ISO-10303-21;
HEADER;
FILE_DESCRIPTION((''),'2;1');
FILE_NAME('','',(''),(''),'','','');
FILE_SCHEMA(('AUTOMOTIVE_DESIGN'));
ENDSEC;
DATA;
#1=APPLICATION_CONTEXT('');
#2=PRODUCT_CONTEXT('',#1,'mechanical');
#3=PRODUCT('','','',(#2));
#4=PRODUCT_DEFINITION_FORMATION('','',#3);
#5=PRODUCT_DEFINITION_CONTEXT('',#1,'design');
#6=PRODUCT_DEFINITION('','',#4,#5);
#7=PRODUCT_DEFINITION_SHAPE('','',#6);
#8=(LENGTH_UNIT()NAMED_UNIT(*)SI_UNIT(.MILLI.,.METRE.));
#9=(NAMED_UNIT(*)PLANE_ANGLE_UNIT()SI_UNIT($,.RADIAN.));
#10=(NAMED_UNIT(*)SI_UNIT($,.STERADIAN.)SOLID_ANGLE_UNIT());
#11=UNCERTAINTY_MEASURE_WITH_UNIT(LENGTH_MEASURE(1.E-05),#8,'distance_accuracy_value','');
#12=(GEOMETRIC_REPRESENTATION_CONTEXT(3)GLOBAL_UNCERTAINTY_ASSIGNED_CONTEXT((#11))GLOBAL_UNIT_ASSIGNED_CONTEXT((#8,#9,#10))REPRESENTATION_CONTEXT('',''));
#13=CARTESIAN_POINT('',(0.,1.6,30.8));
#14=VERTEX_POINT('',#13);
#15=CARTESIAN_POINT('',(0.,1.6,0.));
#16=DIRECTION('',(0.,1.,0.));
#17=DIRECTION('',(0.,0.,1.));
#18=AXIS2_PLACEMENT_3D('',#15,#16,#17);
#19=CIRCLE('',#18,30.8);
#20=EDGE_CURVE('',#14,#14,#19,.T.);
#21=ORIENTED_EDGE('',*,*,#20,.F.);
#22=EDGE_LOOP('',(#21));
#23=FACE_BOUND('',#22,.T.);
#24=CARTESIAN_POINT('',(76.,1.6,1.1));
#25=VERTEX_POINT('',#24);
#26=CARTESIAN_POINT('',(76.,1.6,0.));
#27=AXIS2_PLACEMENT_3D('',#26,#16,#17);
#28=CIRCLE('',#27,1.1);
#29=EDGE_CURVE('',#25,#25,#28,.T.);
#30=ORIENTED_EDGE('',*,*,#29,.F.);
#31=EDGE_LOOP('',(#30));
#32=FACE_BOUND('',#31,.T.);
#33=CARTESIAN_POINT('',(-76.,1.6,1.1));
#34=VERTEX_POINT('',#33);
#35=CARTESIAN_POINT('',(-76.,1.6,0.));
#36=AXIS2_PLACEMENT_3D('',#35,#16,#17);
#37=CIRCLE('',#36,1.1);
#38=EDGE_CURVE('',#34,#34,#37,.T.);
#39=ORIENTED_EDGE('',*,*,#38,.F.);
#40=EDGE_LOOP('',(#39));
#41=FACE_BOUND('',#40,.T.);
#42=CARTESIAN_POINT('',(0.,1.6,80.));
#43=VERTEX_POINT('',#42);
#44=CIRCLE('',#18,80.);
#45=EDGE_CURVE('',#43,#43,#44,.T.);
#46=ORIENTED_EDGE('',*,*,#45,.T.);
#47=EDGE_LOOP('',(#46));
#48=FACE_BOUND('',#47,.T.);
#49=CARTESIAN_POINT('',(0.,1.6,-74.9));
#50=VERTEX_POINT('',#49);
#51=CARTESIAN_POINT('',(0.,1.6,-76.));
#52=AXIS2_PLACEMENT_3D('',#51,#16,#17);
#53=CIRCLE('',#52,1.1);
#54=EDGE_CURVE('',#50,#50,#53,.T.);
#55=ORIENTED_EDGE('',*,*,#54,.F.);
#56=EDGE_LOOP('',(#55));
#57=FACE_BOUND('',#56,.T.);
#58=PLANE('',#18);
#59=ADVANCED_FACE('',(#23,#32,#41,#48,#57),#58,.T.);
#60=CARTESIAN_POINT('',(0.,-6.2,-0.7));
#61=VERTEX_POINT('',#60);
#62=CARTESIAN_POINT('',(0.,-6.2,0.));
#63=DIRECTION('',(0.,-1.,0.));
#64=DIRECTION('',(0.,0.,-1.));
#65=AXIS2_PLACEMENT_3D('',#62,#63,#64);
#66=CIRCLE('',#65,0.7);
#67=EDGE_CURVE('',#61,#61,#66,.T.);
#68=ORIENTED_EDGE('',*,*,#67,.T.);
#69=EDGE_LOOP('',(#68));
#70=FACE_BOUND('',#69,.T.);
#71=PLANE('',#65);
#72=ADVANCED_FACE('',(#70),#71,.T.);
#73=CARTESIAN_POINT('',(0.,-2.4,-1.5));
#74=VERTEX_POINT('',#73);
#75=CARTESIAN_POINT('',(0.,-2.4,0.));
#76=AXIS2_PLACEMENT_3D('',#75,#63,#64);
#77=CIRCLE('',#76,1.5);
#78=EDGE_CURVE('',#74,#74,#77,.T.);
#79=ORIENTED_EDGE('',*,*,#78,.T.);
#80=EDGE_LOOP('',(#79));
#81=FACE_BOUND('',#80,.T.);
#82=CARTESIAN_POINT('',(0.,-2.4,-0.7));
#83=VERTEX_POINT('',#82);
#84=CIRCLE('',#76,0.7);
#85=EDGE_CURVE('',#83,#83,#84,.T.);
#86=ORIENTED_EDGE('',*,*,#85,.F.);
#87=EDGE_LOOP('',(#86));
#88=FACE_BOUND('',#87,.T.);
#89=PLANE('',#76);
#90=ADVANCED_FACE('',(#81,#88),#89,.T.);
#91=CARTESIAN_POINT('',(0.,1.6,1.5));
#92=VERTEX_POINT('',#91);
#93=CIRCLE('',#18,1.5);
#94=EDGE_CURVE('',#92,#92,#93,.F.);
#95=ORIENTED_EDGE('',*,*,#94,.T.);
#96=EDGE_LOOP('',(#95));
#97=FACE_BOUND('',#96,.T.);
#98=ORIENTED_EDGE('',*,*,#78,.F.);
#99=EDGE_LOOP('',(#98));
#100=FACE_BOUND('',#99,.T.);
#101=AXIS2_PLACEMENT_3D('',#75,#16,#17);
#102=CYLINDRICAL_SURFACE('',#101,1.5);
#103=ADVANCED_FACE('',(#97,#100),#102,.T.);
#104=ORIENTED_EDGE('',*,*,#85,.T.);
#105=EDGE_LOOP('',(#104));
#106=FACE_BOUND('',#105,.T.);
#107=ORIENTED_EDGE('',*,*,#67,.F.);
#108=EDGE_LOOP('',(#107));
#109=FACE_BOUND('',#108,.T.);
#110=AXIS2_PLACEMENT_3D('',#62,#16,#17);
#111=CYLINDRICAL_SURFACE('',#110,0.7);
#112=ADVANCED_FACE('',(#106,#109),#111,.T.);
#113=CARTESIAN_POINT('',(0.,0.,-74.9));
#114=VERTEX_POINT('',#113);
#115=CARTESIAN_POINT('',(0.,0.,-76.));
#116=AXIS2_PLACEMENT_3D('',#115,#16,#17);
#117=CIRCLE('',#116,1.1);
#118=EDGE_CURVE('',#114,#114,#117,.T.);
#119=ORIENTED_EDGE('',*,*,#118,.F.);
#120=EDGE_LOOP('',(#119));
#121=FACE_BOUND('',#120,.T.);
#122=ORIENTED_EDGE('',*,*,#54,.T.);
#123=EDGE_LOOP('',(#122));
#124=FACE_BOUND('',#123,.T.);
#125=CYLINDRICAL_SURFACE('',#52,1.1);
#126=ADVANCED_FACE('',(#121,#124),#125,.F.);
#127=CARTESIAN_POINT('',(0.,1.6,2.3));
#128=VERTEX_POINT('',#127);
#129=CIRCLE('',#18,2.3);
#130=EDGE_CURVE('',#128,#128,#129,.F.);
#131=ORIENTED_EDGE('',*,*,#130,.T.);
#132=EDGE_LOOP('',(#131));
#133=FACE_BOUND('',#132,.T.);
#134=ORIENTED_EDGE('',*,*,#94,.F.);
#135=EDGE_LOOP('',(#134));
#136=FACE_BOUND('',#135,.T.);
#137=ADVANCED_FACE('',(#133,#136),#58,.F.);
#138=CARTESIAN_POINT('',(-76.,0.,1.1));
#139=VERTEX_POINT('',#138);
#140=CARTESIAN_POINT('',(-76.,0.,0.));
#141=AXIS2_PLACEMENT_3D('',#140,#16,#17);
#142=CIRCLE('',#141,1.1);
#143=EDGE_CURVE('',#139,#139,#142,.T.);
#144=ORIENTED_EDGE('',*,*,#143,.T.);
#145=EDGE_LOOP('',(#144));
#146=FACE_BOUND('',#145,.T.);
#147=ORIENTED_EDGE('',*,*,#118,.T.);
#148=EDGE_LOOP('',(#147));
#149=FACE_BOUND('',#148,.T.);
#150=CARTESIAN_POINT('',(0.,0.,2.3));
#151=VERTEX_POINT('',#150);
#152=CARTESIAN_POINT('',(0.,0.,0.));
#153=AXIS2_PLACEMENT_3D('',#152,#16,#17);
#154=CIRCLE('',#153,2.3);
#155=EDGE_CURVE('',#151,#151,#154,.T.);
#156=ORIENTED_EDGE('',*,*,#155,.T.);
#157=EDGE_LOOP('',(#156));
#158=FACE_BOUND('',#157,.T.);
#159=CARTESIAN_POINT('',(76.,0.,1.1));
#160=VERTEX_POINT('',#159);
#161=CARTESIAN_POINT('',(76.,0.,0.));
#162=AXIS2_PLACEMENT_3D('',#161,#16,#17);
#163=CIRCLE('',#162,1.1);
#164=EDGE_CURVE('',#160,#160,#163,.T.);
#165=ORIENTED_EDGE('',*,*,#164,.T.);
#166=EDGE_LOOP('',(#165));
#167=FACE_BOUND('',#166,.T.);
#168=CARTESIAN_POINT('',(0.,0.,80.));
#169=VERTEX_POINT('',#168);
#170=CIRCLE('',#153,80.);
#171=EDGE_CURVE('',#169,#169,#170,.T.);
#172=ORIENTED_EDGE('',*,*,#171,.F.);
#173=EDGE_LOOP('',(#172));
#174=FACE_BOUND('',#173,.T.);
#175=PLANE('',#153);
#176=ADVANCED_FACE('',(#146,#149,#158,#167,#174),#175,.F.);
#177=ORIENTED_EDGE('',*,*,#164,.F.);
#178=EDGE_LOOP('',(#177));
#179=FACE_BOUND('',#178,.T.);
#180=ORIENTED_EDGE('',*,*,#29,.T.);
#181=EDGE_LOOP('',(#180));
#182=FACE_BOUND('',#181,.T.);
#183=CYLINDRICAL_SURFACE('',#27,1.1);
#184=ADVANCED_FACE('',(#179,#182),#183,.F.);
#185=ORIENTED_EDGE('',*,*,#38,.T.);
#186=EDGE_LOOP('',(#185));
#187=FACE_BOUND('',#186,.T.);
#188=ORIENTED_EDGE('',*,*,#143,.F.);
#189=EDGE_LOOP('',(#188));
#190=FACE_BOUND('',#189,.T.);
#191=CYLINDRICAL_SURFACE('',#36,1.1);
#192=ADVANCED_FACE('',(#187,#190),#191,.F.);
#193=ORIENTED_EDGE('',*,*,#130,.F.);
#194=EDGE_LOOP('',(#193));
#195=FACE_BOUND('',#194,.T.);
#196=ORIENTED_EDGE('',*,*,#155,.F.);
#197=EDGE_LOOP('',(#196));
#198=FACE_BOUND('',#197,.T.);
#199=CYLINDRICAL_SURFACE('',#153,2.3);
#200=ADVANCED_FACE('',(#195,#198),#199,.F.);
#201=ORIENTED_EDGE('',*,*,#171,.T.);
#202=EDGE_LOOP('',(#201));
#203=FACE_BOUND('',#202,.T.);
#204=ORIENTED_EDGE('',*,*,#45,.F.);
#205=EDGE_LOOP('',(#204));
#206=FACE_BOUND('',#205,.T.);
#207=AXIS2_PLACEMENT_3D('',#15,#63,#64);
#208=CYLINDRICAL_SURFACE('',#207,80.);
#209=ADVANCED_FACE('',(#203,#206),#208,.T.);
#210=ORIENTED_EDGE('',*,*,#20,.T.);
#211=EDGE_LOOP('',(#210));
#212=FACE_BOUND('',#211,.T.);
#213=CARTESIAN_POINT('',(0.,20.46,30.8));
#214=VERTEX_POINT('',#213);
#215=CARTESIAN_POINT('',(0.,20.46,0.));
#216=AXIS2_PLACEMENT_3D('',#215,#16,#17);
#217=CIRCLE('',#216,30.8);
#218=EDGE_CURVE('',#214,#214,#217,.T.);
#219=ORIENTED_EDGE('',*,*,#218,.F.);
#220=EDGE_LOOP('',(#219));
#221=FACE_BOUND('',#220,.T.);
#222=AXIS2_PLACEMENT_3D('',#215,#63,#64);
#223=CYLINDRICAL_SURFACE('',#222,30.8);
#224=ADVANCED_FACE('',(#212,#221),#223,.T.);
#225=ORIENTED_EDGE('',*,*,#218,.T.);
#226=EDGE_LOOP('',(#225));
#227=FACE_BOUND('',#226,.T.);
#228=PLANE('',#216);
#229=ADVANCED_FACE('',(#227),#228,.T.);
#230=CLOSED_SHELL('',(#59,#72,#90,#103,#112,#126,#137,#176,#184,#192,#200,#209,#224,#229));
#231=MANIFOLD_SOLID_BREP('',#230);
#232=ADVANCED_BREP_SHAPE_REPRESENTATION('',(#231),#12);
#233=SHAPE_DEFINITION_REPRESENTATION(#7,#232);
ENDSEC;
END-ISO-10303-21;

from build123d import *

# Parameters (mm, degrees)
SKETCH1_R                = 80
BOSS_EXTRUDE1_DEPTH      = 1.6
SKETCH2_R                = 2.3
CUT_EXTRUDE1_DEPTH       = 1.6
M2_CLEARANCE_HOLE2_D     = 2.2
M2_CLEARANCE_HOLE2_DEPTH = 6
M2_CLEARANCE_HOLE2_TIP   = 0.660946681
SKETCH9_R                = 30.8
BOSS_EXTRUDE2_DEPTH      = 18.86
SKETCH10_R               = 1.5
BOSS_EXTRUDE3_DEPTH      = 4
SKETCH11_R               = 0.7
BOSS_EXTRUDE4_DEPTH      = 3.8


with BuildPart() as part:
    # Sketch1 → Boss-Extrude1 (new body)
    with BuildSketch(Plane(origin=(0, 0, 0), x_dir=(1, 0, 0), z_dir=(0, 1, 0))):
        Circle(SKETCH1_R)
    extrude(amount=BOSS_EXTRUDE1_DEPTH)

    # Sketch2 → Cut-Extrude1 (cut)
    with BuildSketch(Plane(origin=(0, 1.6, 0), x_dir=(1, 0, 0), z_dir=(0, 1, 0))):
        Circle(SKETCH2_R)
    extrude(amount=-CUT_EXTRUDE1_DEPTH, mode=Mode.SUBTRACT)

    # M2 Clearance Hole2
    with Locations(Plane(origin=(0, 1.6, 0), x_dir=(1, 0, 0), z_dir=(0, 1, 0))):
        with Locations((0, 76), (76, 0), (-76, 0)):
            Hole(M2_CLEARANCE_HOLE2_D / 2, depth=M2_CLEARANCE_HOLE2_DEPTH)
            with Locations((0, 0, -(M2_CLEARANCE_HOLE2_DEPTH + M2_CLEARANCE_HOLE2_TIP / 2))):  # 118° drill point
                Cone(0, M2_CLEARANCE_HOLE2_D / 2, M2_CLEARANCE_HOLE2_TIP, mode=Mode.SUBTRACT)

    # Sketch9 → Boss-Extrude2 (add)
    with BuildSketch(Plane(origin=(0, 1.6, 0), x_dir=(1, 0, 0), z_dir=(0, 1, 0))):
        Circle(SKETCH9_R)
    extrude(amount=BOSS_EXTRUDE2_DEPTH)

    # Sketch10 → Boss-Extrude3 (add)
    with BuildSketch(Plane.XZ.offset(-1.6)):
        Circle(SKETCH10_R)
    extrude(amount=BOSS_EXTRUDE3_DEPTH)

    # Sketch11 → Boss-Extrude4 (add)
    with BuildSketch(Plane.XZ.offset(2.4)):
        Circle(SKETCH11_R)
    extrude(amount=BOSS_EXTRUDE4_DEPTH)


solid = part.part
